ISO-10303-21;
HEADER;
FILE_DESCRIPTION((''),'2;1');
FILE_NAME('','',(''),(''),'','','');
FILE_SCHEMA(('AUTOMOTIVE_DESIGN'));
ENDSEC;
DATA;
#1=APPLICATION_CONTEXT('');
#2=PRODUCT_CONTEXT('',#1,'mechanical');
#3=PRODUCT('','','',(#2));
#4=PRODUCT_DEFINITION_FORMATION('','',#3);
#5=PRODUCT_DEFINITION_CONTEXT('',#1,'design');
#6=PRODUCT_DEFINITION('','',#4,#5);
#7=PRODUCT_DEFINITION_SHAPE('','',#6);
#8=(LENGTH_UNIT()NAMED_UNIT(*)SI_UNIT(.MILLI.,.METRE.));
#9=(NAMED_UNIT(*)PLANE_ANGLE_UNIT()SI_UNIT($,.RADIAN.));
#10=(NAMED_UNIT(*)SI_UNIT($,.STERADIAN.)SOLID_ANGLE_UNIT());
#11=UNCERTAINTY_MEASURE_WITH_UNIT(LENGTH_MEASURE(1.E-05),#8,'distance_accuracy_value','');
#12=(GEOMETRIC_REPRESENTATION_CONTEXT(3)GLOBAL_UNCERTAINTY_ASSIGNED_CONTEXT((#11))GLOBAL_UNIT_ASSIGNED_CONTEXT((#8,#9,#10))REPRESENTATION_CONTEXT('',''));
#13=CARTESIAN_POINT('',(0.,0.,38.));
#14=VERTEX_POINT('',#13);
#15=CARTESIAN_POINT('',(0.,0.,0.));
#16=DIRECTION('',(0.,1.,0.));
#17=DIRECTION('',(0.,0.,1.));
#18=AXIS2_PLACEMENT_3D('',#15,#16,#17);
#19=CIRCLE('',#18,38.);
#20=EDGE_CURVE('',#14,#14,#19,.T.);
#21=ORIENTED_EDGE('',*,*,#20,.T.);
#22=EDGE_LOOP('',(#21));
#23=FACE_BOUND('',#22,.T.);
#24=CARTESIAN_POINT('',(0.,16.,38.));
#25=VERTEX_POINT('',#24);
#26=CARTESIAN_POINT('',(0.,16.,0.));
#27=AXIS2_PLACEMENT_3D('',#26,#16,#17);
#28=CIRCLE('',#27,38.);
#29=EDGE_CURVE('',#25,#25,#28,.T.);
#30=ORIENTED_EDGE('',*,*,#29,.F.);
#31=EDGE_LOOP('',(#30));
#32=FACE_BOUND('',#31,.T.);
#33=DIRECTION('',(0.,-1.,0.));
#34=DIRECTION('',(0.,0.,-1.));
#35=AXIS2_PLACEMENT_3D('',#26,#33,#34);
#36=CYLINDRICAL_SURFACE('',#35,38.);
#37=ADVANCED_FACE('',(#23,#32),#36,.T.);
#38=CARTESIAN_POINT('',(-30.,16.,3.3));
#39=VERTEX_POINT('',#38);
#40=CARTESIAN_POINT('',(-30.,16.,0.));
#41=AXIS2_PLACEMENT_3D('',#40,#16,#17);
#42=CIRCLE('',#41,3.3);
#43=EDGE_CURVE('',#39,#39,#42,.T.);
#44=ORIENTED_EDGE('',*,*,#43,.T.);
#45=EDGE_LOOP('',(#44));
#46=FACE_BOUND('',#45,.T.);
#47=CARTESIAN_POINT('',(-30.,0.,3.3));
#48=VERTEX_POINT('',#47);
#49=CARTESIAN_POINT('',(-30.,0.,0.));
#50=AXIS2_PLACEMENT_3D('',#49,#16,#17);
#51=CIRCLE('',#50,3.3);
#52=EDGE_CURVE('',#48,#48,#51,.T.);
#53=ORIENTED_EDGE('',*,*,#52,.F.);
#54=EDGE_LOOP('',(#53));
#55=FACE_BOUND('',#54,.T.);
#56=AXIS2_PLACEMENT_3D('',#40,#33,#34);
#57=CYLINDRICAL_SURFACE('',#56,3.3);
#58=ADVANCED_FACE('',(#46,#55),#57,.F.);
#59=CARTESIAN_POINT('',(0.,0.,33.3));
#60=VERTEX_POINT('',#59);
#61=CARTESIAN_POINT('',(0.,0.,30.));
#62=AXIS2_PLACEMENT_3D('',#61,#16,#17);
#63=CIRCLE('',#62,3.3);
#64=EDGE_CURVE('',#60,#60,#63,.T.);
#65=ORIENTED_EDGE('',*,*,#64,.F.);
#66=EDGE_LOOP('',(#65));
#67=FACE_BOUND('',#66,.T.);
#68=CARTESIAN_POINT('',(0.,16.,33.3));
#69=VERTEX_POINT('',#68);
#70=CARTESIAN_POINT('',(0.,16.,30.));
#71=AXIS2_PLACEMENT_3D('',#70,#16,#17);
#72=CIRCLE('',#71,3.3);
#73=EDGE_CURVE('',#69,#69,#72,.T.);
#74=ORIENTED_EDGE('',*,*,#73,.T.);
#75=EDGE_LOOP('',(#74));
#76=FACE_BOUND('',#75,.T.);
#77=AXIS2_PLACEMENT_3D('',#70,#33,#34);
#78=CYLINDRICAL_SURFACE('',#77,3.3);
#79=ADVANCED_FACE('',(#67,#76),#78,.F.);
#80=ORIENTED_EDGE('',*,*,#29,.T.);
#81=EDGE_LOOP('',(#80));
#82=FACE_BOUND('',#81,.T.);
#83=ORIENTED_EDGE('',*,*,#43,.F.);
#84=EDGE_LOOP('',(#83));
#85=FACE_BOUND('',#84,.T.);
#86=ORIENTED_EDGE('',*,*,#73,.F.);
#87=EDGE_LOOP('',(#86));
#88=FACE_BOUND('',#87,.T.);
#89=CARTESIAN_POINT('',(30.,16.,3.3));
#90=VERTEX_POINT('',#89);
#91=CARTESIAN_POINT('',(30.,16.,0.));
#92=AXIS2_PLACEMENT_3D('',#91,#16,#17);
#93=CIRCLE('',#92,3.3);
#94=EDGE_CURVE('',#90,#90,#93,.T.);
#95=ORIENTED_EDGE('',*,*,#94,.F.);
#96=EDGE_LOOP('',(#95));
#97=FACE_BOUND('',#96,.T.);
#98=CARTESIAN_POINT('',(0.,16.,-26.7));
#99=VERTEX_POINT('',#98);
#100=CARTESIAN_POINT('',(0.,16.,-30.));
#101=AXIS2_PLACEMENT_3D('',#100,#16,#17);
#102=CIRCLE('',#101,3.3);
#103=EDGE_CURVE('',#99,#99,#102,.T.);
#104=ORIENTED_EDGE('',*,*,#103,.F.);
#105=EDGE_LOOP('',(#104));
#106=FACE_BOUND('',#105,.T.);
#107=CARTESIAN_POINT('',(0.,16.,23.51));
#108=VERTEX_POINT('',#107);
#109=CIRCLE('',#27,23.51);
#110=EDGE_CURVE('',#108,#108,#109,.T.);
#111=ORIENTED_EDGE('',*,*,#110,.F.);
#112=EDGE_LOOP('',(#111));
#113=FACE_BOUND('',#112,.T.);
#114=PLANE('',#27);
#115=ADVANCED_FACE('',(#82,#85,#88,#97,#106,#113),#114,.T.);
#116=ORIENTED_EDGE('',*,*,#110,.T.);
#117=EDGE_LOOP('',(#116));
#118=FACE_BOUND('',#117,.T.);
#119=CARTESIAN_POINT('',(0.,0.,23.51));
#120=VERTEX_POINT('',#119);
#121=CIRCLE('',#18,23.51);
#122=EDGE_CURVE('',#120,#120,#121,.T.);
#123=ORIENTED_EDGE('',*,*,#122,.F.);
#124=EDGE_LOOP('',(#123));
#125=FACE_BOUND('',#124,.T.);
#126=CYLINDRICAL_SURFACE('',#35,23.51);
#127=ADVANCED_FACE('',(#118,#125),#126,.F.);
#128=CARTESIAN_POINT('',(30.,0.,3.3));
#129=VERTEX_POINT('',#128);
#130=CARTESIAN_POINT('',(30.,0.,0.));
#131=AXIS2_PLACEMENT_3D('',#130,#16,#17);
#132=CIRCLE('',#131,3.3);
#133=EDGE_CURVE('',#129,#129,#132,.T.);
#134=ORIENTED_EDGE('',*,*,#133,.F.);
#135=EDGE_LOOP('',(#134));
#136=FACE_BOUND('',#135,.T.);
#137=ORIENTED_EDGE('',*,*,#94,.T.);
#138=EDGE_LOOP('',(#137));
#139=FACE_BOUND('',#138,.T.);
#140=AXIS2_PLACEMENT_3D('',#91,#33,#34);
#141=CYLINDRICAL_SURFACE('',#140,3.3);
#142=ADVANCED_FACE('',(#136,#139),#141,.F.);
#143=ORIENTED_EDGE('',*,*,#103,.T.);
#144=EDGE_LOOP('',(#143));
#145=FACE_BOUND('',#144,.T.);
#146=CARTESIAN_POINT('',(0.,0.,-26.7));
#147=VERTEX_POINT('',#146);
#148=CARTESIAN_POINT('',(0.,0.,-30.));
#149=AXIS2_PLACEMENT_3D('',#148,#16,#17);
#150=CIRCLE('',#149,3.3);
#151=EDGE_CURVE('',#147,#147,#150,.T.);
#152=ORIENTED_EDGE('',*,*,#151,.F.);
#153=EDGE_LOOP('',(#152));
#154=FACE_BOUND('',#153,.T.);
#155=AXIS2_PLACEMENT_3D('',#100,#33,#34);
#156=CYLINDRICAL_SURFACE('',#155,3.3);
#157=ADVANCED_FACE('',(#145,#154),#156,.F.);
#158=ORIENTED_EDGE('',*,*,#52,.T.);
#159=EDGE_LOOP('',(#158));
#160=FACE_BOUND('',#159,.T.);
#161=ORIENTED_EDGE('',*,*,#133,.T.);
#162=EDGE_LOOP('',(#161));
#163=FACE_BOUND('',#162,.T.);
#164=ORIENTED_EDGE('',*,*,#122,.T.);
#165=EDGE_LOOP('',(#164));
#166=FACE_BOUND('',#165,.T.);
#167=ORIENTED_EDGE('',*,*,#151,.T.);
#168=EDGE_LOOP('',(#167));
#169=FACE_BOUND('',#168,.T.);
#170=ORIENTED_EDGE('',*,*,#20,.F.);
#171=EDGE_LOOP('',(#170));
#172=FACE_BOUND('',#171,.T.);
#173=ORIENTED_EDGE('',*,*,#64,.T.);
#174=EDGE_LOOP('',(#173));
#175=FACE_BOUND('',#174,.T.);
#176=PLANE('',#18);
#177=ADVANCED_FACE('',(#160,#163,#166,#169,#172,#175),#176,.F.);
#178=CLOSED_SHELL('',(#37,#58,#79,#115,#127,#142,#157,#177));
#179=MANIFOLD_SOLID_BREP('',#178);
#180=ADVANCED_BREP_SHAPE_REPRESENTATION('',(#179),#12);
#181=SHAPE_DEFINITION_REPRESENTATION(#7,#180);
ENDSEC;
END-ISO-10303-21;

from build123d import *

# Parameters (mm, degrees)
SKETCH1_R                     = 38
SKETCH1_R_2                   = 23.51
SKETCH1_R_3                   = 3.3
BEARING_CARRIER_EXTRUDE_DEPTH = 16


with BuildPart() as part:
    # Sketch1 → Bearing_Carrier_Extrude (new body)
    with BuildSketch(Plane(origin=(0, 0, 0), x_dir=(1, 0, 0), z_dir=(0, 1, 0))):
        with Locations(Location((0, 0, 0), (0, 0, 270))):
            Circle(SKETCH1_R)
        with Locations(Location((0, 0, 0), (0, 0, 270))):
            Circle(SKETCH1_R_2, mode=Mode.SUBTRACT)
        with Locations(Location((-30, 0, 0), (0, 0, 270))):
            Circle(SKETCH1_R_3, mode=Mode.SUBTRACT)
        with Locations(Location((30, 0, 0), (0, 0, 270))):
            Circle(SKETCH1_R_3, mode=Mode.SUBTRACT)
        with Locations(Location((0, -30, 0), (0, 0, 270))):
            Circle(SKETCH1_R_3, mode=Mode.SUBTRACT)
        with Locations(Location((0, 30, 0), (0, 0, 270))):
            Circle(SKETCH1_R_3, mode=Mode.SUBTRACT)
    extrude(amount=BEARING_CARRIER_EXTRUDE_DEPTH)


solid = part.part
